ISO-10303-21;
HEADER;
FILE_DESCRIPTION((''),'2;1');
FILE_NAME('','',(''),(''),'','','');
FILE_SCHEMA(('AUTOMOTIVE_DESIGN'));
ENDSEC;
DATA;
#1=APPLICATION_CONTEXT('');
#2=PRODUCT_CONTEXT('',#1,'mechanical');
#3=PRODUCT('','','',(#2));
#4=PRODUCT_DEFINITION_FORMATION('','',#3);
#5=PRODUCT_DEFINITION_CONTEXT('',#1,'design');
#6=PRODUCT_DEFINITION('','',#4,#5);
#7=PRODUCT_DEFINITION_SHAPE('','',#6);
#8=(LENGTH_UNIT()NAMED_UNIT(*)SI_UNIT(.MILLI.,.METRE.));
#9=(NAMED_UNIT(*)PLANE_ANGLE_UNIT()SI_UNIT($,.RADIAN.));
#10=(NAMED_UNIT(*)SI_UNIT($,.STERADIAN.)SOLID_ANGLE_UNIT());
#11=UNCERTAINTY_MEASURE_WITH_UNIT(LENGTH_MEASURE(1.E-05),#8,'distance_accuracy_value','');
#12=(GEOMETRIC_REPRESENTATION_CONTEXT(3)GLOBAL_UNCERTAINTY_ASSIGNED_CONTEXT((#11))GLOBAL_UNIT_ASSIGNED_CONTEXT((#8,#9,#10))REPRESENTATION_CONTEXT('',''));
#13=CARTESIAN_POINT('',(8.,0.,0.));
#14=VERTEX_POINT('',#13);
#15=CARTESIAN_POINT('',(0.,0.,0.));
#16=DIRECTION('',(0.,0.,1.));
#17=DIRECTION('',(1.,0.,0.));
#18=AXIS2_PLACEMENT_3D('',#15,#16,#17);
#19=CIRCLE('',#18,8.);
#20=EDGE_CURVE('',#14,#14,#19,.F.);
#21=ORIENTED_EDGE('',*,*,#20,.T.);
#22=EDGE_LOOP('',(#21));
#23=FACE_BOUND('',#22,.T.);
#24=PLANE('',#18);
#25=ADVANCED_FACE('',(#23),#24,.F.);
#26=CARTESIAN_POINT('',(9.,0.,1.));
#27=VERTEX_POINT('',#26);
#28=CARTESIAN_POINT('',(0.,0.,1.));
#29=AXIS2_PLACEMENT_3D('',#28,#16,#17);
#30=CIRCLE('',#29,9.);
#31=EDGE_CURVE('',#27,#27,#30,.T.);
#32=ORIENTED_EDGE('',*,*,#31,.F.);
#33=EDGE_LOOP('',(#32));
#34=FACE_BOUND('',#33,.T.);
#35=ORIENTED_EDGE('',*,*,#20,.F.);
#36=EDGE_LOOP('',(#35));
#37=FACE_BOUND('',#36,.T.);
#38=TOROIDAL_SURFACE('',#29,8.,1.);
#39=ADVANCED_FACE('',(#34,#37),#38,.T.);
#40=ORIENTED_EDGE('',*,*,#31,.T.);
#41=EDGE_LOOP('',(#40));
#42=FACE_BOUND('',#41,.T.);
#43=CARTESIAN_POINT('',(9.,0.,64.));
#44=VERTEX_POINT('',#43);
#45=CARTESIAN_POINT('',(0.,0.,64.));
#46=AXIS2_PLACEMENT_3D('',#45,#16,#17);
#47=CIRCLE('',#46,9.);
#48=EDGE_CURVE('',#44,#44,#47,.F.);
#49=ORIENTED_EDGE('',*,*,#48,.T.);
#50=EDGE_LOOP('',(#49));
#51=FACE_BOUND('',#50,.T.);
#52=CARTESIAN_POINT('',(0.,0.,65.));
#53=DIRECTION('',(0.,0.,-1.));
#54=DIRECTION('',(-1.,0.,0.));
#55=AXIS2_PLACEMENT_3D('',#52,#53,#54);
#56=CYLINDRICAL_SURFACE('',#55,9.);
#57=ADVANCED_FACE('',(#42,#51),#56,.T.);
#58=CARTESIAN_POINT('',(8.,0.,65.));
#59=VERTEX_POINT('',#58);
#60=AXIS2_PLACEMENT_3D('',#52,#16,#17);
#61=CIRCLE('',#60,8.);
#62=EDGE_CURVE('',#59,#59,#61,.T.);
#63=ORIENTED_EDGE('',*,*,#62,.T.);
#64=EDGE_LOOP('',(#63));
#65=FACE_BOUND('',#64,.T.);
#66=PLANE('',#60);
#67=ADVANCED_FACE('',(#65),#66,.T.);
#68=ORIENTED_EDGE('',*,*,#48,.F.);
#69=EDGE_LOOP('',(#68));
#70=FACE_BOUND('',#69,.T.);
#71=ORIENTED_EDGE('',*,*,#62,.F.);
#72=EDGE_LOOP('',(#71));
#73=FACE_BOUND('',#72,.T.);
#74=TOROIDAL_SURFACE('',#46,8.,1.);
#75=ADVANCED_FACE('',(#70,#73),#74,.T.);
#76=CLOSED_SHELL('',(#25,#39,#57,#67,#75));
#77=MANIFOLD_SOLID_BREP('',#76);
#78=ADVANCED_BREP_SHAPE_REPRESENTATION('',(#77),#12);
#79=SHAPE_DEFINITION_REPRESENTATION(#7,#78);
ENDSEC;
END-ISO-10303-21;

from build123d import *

# Parameters (mm, degrees)
SKIZZE1_R                       = 9
AUFSATZ_LINEAR_AUSTRAGEN1_DEPTH = 65
VERRUNDUNG1_R                   = 1


with BuildPart() as part:
    # Skizze1 → Aufsatz-Linear austragen1 (new body)
    with BuildSketch(Plane.XY):
        Circle(SKIZZE1_R)
    extrude(amount=AUFSATZ_LINEAR_AUSTRAGEN1_DEPTH)

    # Verrundung1
    verrundung1_edges = [part.edges().sort_by_distance(p)[0] for p in [
        (-9, 0, 0),
        (-9, 0, 65),
    ]]
    fillet(verrundung1_edges, radius=VERRUNDUNG1_R)


solid = part.part
